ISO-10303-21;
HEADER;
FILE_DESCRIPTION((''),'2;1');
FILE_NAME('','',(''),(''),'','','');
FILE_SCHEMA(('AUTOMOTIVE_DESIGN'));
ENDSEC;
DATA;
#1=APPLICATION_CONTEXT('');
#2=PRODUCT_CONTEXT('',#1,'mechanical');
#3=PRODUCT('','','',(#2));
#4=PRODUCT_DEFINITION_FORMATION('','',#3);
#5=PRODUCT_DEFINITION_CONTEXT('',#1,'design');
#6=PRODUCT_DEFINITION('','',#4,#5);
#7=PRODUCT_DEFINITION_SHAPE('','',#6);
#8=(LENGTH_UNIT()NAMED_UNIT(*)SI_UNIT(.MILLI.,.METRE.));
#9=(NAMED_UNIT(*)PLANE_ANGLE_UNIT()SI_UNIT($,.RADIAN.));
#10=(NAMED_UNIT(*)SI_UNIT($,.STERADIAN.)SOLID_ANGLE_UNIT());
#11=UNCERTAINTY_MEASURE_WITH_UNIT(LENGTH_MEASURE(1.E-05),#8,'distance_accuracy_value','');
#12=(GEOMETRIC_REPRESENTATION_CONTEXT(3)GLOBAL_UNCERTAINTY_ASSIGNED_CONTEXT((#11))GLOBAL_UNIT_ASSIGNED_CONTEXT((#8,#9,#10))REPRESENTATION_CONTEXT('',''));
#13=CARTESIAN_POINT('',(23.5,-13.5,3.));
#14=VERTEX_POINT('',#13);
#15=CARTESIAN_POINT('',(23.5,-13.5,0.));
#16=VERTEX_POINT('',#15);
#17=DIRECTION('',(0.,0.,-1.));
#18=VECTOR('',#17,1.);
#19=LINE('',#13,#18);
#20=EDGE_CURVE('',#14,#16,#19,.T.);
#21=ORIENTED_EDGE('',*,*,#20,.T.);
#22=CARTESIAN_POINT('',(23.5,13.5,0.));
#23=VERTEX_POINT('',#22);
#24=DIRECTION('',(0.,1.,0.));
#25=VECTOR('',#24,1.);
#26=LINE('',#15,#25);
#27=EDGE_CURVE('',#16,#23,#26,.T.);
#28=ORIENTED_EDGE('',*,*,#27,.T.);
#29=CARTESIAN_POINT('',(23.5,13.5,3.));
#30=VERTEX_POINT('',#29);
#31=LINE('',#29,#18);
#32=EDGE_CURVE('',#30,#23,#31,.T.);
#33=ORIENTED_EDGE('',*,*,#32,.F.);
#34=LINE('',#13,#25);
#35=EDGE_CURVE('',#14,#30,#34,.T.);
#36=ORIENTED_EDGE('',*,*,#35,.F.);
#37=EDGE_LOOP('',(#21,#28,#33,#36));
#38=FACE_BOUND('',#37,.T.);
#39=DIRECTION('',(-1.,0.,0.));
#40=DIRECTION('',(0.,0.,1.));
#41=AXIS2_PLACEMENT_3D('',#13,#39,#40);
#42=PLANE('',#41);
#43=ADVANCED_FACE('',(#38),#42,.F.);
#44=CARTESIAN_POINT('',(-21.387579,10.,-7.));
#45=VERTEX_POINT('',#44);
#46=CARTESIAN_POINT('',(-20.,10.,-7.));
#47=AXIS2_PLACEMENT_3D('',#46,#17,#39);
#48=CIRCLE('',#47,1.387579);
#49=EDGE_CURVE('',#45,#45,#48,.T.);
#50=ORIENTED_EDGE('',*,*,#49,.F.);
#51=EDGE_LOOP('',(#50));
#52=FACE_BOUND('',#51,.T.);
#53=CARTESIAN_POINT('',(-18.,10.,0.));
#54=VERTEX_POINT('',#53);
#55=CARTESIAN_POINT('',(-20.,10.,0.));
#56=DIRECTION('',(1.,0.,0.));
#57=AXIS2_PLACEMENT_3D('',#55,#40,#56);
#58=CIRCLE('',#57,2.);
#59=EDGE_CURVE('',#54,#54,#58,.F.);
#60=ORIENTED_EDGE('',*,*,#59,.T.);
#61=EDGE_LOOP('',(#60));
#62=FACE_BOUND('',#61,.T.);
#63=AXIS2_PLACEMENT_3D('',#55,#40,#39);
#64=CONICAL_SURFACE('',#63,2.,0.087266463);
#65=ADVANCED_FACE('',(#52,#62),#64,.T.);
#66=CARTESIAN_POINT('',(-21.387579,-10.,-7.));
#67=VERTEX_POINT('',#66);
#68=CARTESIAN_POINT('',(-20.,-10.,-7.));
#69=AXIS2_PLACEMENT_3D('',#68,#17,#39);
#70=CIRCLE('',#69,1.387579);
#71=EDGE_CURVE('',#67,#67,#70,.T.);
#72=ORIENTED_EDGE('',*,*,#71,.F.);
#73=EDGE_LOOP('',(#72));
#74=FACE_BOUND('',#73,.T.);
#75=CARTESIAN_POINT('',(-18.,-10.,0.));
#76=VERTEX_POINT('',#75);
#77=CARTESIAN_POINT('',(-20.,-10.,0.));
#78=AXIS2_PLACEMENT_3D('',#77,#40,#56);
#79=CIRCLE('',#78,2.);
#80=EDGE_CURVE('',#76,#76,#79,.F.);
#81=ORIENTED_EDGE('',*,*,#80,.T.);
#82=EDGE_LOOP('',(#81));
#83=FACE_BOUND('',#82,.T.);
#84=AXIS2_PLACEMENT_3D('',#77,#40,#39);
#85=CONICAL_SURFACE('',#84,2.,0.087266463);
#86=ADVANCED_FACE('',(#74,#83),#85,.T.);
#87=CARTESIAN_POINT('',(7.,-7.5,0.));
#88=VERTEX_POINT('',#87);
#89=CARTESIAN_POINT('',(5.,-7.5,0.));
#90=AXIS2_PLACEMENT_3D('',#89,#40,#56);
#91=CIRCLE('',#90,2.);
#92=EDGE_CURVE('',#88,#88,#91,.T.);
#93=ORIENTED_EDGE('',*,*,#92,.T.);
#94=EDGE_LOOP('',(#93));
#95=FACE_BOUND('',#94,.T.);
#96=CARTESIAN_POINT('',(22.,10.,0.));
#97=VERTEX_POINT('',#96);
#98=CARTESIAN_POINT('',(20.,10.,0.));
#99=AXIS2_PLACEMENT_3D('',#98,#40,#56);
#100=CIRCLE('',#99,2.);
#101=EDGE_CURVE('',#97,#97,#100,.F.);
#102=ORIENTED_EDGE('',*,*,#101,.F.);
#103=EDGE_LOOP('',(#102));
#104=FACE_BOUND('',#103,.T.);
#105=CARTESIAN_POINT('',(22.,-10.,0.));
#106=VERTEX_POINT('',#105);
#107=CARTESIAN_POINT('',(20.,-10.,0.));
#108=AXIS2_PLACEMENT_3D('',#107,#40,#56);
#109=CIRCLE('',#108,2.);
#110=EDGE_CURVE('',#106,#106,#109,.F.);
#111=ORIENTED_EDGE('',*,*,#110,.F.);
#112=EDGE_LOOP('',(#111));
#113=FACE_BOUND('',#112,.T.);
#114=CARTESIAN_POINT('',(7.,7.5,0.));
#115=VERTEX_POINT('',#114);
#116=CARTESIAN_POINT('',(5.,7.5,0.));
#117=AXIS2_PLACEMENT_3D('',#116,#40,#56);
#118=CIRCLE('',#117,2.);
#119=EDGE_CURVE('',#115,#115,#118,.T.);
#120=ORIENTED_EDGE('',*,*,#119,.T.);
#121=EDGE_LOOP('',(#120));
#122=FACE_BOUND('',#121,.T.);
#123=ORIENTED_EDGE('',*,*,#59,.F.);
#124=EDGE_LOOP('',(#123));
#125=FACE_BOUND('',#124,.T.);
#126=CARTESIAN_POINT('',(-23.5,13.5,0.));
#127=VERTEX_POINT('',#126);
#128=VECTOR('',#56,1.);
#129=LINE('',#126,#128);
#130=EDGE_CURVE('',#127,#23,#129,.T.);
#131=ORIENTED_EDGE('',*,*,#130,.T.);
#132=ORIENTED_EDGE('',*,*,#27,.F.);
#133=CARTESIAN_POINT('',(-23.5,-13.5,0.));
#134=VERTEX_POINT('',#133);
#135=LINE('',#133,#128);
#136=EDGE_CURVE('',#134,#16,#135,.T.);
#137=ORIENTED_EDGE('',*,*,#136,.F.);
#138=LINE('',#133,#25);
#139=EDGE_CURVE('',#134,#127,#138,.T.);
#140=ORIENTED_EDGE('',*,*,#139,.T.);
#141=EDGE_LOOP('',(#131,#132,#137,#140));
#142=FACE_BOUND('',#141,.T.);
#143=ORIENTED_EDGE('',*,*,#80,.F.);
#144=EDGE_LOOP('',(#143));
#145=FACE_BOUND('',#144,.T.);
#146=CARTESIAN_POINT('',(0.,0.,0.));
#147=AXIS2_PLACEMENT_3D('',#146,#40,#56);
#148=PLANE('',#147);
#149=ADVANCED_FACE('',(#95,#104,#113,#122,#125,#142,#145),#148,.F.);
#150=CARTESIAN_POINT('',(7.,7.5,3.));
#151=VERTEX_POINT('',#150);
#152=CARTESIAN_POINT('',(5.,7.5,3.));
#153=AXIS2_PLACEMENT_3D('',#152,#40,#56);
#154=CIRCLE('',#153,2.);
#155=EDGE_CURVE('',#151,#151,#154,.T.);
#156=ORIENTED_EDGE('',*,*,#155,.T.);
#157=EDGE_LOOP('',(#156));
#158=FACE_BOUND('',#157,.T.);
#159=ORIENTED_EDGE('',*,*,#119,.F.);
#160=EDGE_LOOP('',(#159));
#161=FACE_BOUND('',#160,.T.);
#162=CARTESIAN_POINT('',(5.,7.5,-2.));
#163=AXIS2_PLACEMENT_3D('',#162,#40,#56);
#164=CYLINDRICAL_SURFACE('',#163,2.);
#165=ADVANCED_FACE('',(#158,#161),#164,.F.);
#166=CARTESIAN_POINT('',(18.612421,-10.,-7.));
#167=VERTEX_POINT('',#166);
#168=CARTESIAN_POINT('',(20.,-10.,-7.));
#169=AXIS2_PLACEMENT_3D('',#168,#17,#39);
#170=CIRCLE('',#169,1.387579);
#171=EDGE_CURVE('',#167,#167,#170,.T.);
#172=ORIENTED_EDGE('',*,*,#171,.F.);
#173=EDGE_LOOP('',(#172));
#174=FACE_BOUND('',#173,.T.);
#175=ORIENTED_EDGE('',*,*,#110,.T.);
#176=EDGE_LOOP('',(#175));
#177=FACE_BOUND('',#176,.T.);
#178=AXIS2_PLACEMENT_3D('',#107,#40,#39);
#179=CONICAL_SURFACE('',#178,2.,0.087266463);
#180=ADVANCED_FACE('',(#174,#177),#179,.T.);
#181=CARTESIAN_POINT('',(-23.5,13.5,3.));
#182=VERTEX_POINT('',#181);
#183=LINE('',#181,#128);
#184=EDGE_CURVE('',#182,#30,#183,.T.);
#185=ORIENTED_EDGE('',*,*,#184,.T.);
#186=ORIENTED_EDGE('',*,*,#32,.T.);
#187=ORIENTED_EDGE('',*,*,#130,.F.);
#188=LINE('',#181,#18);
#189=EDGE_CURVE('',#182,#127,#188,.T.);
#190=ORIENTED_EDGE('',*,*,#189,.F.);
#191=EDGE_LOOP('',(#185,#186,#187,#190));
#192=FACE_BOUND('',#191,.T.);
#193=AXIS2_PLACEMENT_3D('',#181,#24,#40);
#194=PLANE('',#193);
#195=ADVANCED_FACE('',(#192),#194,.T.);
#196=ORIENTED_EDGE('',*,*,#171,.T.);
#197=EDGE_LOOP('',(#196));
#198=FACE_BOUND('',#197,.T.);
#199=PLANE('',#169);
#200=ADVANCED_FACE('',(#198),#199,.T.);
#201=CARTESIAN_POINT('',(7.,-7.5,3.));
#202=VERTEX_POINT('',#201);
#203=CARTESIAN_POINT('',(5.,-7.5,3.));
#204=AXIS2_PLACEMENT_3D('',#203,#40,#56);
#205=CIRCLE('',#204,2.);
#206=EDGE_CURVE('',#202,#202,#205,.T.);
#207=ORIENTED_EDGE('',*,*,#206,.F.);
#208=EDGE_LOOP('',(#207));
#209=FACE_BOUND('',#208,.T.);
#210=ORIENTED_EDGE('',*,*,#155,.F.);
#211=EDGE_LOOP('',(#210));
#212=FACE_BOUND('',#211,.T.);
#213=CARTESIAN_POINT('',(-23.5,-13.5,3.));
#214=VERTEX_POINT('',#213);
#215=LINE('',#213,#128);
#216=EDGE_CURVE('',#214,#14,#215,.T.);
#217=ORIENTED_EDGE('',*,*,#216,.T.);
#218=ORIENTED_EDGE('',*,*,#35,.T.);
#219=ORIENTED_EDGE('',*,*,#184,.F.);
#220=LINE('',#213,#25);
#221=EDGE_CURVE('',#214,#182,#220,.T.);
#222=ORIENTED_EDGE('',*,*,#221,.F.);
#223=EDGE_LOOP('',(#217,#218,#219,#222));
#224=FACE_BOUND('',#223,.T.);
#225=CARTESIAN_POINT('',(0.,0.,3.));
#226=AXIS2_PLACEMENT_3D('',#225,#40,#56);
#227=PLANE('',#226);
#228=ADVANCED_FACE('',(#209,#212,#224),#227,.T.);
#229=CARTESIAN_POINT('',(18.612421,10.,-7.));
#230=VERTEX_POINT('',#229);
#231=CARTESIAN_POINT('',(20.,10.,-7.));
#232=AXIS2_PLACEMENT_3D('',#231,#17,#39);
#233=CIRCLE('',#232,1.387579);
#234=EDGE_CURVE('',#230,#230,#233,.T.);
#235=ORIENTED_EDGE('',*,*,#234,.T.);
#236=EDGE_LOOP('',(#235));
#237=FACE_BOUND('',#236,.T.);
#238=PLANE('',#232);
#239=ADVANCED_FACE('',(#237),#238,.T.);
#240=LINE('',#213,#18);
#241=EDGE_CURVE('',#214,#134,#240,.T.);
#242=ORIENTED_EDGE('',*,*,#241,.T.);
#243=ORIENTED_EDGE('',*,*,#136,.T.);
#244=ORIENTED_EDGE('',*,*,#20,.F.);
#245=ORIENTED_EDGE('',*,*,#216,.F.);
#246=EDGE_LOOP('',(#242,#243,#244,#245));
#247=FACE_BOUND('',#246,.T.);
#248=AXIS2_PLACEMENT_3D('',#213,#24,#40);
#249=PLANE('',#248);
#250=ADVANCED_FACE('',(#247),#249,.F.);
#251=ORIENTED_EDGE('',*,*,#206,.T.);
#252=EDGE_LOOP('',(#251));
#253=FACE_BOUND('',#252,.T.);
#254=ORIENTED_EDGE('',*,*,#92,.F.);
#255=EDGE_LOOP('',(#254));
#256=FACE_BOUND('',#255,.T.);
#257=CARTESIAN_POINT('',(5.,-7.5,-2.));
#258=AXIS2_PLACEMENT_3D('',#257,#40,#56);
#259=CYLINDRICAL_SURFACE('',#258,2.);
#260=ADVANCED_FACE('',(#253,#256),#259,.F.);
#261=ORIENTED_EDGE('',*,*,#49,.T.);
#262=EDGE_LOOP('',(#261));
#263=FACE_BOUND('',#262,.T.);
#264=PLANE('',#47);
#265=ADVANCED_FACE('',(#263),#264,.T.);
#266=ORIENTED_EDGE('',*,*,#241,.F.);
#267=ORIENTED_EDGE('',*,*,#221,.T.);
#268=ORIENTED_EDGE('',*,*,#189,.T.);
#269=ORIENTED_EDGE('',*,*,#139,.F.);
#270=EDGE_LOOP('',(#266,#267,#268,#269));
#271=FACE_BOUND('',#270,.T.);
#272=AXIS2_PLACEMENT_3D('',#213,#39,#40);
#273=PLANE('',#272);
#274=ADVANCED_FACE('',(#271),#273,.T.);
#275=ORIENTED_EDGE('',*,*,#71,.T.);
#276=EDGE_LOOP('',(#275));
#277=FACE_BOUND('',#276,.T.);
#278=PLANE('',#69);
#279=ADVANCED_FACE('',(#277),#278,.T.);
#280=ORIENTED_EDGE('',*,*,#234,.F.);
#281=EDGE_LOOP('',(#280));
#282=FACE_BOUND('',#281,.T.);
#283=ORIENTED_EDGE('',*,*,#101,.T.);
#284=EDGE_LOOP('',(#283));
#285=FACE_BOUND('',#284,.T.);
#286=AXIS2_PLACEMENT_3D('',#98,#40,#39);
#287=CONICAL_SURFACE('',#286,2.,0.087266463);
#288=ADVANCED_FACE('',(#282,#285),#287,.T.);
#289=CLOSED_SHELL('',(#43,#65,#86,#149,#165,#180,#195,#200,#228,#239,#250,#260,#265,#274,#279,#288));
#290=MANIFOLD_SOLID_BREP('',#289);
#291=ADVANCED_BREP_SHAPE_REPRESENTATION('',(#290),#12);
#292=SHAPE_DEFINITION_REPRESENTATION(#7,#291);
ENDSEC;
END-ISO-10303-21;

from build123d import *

# Parameters (mm, degrees)
SKETCH1_W                     = 47
SKETCH1_H                     = 27
BOSS_EXTRUDE1_DEPTH           = 3
SKETCH2_R                     = 2
BOSS_EXTRUDE2_DEPTH           = 7
BOSS_EXTRUDE2_DRAFT           = 5
BOSS_EXTRUDE2_PROFILE_2_DEPTH = 7
BOSS_EXTRUDE2_PROFILE_2_DRAFT = 5
BOSS_EXTRUDE2_PROFILE_3_DEPTH = 7
BOSS_EXTRUDE2_PROFILE_3_DRAFT = 5
BOSS_EXTRUDE2_PROFILE_4_DEPTH = 7
BOSS_EXTRUDE2_PROFILE_4_DRAFT = 5
SKETCH3_R                     = 2
CUT_EXTRUDE1_DEPTH            = 5


with BuildPart() as part:
    # Sketch1 → Boss-Extrude1 (new body)
    with BuildSketch(Plane.XY):
        Rectangle(SKETCH1_W, SKETCH1_H)
    extrude(amount=BOSS_EXTRUDE1_DEPTH)


with BuildPart() as boss_extrude2_tool:
    # Sketch2 → Boss-Extrude2 (with draft: the straight prism first)
    with BuildSketch(Plane(origin=(0, 0, 0), x_dir=(-1, 0, 0), z_dir=(0, 0, -1))):
        with Locations((-20, 10)):
            Circle(SKETCH2_R)
    extrude(amount=BOSS_EXTRUDE2_DEPTH)
    # Boss-Extrude2: the draft: its side faces are tilted about the plane it starts from
    boss_extrude2_sides = [boss_extrude2_tool.faces().sort_by_distance(p)[0] for p in [
        (22, 10, -3.5),
    ]]
    draft(boss_extrude2_sides, Plane(origin=(0, 0, 0), x_dir=(-1, 0, 0), z_dir=(0, 0, -1)), BOSS_EXTRUDE2_DRAFT)


with BuildPart() as part_1:
    add(part.part)

    # Boss-Extrude2: add boss_extrude2_tool
    add(boss_extrude2_tool.part)


with BuildPart() as boss_extrude2_profile_2_tool:
    # Sketch2 → Boss-Extrude2 profile 2 (with draft: the straight prism first)
    with BuildSketch(Plane(origin=(0, 0, 0), x_dir=(-1, 0, 0), z_dir=(0, 0, -1))):
        with Locations((20, 10)):
            Circle(SKETCH2_R)
    extrude(amount=BOSS_EXTRUDE2_PROFILE_2_DEPTH)
    # Boss-Extrude2 profile 2: the draft: its side faces are tilted about the plane it starts from
    boss_extrude2_profile_2_sides = [boss_extrude2_profile_2_tool.faces().sort_by_distance(p)[0] for p in [
        (-18, 10, -3.5),
    ]]
    draft(boss_extrude2_profile_2_sides, Plane(origin=(0, 0, 0), x_dir=(-1, 0, 0), z_dir=(0, 0, -1)), BOSS_EXTRUDE2_PROFILE_2_DRAFT)


with BuildPart() as part_2:
    add(part_1.part)

    # Boss-Extrude2 profile 2: add boss_extrude2_profile_2_tool
    add(boss_extrude2_profile_2_tool.part)


with BuildPart() as boss_extrude2_profile_3_tool:
    # Sketch2 → Boss-Extrude2 profile 3 (with draft: the straight prism first)
    with BuildSketch(Plane(origin=(0, 0, 0), x_dir=(-1, 0, 0), z_dir=(0, 0, -1))):
        with Locations((20, -10)):
            Circle(SKETCH2_R)
    extrude(amount=BOSS_EXTRUDE2_PROFILE_3_DEPTH)
    # Boss-Extrude2 profile 3: the draft: its side faces are tilted about the plane it starts from
    boss_extrude2_profile_3_sides = [boss_extrude2_profile_3_tool.faces().sort_by_distance(p)[0] for p in [
        (-18, -10, -3.5),
    ]]
    draft(boss_extrude2_profile_3_sides, Plane(origin=(0, 0, 0), x_dir=(-1, 0, 0), z_dir=(0, 0, -1)), BOSS_EXTRUDE2_PROFILE_3_DRAFT)


with BuildPart() as part_3:
    add(part_2.part)

    # Boss-Extrude2 profile 3: add boss_extrude2_profile_3_tool
    add(boss_extrude2_profile_3_tool.part)


with BuildPart() as boss_extrude2_profile_4_tool:
    # Sketch2 → Boss-Extrude2 profile 4 (with draft: the straight prism first)
    with BuildSketch(Plane(origin=(0, 0, 0), x_dir=(-1, 0, 0), z_dir=(0, 0, -1))):
        with Locations((-20, -10)):
            Circle(SKETCH2_R)
    extrude(amount=BOSS_EXTRUDE2_PROFILE_4_DEPTH)
    # Boss-Extrude2 profile 4: the draft: its side faces are tilted about the plane it starts from
    boss_extrude2_profile_4_sides = [boss_extrude2_profile_4_tool.faces().sort_by_distance(p)[0] for p in [
        (22, -10, -3.5),
    ]]
    draft(boss_extrude2_profile_4_sides, Plane(origin=(0, 0, 0), x_dir=(-1, 0, 0), z_dir=(0, 0, -1)), BOSS_EXTRUDE2_PROFILE_4_DRAFT)


with BuildPart() as part_4:
    add(part_3.part)

    # Boss-Extrude2 profile 4: add boss_extrude2_profile_4_tool
    add(boss_extrude2_profile_4_tool.part)

    # Sketch3 → Cut-Extrude1 (cut)
    with BuildSketch(Plane.XY.offset(3)):
        with Locations((5, 7.5)):
            Circle(SKETCH3_R)
        with Locations((5, -7.5)):
            Circle(SKETCH3_R)
    extrude(amount=-CUT_EXTRUDE1_DEPTH, mode=Mode.SUBTRACT)


solid = part_4.part
